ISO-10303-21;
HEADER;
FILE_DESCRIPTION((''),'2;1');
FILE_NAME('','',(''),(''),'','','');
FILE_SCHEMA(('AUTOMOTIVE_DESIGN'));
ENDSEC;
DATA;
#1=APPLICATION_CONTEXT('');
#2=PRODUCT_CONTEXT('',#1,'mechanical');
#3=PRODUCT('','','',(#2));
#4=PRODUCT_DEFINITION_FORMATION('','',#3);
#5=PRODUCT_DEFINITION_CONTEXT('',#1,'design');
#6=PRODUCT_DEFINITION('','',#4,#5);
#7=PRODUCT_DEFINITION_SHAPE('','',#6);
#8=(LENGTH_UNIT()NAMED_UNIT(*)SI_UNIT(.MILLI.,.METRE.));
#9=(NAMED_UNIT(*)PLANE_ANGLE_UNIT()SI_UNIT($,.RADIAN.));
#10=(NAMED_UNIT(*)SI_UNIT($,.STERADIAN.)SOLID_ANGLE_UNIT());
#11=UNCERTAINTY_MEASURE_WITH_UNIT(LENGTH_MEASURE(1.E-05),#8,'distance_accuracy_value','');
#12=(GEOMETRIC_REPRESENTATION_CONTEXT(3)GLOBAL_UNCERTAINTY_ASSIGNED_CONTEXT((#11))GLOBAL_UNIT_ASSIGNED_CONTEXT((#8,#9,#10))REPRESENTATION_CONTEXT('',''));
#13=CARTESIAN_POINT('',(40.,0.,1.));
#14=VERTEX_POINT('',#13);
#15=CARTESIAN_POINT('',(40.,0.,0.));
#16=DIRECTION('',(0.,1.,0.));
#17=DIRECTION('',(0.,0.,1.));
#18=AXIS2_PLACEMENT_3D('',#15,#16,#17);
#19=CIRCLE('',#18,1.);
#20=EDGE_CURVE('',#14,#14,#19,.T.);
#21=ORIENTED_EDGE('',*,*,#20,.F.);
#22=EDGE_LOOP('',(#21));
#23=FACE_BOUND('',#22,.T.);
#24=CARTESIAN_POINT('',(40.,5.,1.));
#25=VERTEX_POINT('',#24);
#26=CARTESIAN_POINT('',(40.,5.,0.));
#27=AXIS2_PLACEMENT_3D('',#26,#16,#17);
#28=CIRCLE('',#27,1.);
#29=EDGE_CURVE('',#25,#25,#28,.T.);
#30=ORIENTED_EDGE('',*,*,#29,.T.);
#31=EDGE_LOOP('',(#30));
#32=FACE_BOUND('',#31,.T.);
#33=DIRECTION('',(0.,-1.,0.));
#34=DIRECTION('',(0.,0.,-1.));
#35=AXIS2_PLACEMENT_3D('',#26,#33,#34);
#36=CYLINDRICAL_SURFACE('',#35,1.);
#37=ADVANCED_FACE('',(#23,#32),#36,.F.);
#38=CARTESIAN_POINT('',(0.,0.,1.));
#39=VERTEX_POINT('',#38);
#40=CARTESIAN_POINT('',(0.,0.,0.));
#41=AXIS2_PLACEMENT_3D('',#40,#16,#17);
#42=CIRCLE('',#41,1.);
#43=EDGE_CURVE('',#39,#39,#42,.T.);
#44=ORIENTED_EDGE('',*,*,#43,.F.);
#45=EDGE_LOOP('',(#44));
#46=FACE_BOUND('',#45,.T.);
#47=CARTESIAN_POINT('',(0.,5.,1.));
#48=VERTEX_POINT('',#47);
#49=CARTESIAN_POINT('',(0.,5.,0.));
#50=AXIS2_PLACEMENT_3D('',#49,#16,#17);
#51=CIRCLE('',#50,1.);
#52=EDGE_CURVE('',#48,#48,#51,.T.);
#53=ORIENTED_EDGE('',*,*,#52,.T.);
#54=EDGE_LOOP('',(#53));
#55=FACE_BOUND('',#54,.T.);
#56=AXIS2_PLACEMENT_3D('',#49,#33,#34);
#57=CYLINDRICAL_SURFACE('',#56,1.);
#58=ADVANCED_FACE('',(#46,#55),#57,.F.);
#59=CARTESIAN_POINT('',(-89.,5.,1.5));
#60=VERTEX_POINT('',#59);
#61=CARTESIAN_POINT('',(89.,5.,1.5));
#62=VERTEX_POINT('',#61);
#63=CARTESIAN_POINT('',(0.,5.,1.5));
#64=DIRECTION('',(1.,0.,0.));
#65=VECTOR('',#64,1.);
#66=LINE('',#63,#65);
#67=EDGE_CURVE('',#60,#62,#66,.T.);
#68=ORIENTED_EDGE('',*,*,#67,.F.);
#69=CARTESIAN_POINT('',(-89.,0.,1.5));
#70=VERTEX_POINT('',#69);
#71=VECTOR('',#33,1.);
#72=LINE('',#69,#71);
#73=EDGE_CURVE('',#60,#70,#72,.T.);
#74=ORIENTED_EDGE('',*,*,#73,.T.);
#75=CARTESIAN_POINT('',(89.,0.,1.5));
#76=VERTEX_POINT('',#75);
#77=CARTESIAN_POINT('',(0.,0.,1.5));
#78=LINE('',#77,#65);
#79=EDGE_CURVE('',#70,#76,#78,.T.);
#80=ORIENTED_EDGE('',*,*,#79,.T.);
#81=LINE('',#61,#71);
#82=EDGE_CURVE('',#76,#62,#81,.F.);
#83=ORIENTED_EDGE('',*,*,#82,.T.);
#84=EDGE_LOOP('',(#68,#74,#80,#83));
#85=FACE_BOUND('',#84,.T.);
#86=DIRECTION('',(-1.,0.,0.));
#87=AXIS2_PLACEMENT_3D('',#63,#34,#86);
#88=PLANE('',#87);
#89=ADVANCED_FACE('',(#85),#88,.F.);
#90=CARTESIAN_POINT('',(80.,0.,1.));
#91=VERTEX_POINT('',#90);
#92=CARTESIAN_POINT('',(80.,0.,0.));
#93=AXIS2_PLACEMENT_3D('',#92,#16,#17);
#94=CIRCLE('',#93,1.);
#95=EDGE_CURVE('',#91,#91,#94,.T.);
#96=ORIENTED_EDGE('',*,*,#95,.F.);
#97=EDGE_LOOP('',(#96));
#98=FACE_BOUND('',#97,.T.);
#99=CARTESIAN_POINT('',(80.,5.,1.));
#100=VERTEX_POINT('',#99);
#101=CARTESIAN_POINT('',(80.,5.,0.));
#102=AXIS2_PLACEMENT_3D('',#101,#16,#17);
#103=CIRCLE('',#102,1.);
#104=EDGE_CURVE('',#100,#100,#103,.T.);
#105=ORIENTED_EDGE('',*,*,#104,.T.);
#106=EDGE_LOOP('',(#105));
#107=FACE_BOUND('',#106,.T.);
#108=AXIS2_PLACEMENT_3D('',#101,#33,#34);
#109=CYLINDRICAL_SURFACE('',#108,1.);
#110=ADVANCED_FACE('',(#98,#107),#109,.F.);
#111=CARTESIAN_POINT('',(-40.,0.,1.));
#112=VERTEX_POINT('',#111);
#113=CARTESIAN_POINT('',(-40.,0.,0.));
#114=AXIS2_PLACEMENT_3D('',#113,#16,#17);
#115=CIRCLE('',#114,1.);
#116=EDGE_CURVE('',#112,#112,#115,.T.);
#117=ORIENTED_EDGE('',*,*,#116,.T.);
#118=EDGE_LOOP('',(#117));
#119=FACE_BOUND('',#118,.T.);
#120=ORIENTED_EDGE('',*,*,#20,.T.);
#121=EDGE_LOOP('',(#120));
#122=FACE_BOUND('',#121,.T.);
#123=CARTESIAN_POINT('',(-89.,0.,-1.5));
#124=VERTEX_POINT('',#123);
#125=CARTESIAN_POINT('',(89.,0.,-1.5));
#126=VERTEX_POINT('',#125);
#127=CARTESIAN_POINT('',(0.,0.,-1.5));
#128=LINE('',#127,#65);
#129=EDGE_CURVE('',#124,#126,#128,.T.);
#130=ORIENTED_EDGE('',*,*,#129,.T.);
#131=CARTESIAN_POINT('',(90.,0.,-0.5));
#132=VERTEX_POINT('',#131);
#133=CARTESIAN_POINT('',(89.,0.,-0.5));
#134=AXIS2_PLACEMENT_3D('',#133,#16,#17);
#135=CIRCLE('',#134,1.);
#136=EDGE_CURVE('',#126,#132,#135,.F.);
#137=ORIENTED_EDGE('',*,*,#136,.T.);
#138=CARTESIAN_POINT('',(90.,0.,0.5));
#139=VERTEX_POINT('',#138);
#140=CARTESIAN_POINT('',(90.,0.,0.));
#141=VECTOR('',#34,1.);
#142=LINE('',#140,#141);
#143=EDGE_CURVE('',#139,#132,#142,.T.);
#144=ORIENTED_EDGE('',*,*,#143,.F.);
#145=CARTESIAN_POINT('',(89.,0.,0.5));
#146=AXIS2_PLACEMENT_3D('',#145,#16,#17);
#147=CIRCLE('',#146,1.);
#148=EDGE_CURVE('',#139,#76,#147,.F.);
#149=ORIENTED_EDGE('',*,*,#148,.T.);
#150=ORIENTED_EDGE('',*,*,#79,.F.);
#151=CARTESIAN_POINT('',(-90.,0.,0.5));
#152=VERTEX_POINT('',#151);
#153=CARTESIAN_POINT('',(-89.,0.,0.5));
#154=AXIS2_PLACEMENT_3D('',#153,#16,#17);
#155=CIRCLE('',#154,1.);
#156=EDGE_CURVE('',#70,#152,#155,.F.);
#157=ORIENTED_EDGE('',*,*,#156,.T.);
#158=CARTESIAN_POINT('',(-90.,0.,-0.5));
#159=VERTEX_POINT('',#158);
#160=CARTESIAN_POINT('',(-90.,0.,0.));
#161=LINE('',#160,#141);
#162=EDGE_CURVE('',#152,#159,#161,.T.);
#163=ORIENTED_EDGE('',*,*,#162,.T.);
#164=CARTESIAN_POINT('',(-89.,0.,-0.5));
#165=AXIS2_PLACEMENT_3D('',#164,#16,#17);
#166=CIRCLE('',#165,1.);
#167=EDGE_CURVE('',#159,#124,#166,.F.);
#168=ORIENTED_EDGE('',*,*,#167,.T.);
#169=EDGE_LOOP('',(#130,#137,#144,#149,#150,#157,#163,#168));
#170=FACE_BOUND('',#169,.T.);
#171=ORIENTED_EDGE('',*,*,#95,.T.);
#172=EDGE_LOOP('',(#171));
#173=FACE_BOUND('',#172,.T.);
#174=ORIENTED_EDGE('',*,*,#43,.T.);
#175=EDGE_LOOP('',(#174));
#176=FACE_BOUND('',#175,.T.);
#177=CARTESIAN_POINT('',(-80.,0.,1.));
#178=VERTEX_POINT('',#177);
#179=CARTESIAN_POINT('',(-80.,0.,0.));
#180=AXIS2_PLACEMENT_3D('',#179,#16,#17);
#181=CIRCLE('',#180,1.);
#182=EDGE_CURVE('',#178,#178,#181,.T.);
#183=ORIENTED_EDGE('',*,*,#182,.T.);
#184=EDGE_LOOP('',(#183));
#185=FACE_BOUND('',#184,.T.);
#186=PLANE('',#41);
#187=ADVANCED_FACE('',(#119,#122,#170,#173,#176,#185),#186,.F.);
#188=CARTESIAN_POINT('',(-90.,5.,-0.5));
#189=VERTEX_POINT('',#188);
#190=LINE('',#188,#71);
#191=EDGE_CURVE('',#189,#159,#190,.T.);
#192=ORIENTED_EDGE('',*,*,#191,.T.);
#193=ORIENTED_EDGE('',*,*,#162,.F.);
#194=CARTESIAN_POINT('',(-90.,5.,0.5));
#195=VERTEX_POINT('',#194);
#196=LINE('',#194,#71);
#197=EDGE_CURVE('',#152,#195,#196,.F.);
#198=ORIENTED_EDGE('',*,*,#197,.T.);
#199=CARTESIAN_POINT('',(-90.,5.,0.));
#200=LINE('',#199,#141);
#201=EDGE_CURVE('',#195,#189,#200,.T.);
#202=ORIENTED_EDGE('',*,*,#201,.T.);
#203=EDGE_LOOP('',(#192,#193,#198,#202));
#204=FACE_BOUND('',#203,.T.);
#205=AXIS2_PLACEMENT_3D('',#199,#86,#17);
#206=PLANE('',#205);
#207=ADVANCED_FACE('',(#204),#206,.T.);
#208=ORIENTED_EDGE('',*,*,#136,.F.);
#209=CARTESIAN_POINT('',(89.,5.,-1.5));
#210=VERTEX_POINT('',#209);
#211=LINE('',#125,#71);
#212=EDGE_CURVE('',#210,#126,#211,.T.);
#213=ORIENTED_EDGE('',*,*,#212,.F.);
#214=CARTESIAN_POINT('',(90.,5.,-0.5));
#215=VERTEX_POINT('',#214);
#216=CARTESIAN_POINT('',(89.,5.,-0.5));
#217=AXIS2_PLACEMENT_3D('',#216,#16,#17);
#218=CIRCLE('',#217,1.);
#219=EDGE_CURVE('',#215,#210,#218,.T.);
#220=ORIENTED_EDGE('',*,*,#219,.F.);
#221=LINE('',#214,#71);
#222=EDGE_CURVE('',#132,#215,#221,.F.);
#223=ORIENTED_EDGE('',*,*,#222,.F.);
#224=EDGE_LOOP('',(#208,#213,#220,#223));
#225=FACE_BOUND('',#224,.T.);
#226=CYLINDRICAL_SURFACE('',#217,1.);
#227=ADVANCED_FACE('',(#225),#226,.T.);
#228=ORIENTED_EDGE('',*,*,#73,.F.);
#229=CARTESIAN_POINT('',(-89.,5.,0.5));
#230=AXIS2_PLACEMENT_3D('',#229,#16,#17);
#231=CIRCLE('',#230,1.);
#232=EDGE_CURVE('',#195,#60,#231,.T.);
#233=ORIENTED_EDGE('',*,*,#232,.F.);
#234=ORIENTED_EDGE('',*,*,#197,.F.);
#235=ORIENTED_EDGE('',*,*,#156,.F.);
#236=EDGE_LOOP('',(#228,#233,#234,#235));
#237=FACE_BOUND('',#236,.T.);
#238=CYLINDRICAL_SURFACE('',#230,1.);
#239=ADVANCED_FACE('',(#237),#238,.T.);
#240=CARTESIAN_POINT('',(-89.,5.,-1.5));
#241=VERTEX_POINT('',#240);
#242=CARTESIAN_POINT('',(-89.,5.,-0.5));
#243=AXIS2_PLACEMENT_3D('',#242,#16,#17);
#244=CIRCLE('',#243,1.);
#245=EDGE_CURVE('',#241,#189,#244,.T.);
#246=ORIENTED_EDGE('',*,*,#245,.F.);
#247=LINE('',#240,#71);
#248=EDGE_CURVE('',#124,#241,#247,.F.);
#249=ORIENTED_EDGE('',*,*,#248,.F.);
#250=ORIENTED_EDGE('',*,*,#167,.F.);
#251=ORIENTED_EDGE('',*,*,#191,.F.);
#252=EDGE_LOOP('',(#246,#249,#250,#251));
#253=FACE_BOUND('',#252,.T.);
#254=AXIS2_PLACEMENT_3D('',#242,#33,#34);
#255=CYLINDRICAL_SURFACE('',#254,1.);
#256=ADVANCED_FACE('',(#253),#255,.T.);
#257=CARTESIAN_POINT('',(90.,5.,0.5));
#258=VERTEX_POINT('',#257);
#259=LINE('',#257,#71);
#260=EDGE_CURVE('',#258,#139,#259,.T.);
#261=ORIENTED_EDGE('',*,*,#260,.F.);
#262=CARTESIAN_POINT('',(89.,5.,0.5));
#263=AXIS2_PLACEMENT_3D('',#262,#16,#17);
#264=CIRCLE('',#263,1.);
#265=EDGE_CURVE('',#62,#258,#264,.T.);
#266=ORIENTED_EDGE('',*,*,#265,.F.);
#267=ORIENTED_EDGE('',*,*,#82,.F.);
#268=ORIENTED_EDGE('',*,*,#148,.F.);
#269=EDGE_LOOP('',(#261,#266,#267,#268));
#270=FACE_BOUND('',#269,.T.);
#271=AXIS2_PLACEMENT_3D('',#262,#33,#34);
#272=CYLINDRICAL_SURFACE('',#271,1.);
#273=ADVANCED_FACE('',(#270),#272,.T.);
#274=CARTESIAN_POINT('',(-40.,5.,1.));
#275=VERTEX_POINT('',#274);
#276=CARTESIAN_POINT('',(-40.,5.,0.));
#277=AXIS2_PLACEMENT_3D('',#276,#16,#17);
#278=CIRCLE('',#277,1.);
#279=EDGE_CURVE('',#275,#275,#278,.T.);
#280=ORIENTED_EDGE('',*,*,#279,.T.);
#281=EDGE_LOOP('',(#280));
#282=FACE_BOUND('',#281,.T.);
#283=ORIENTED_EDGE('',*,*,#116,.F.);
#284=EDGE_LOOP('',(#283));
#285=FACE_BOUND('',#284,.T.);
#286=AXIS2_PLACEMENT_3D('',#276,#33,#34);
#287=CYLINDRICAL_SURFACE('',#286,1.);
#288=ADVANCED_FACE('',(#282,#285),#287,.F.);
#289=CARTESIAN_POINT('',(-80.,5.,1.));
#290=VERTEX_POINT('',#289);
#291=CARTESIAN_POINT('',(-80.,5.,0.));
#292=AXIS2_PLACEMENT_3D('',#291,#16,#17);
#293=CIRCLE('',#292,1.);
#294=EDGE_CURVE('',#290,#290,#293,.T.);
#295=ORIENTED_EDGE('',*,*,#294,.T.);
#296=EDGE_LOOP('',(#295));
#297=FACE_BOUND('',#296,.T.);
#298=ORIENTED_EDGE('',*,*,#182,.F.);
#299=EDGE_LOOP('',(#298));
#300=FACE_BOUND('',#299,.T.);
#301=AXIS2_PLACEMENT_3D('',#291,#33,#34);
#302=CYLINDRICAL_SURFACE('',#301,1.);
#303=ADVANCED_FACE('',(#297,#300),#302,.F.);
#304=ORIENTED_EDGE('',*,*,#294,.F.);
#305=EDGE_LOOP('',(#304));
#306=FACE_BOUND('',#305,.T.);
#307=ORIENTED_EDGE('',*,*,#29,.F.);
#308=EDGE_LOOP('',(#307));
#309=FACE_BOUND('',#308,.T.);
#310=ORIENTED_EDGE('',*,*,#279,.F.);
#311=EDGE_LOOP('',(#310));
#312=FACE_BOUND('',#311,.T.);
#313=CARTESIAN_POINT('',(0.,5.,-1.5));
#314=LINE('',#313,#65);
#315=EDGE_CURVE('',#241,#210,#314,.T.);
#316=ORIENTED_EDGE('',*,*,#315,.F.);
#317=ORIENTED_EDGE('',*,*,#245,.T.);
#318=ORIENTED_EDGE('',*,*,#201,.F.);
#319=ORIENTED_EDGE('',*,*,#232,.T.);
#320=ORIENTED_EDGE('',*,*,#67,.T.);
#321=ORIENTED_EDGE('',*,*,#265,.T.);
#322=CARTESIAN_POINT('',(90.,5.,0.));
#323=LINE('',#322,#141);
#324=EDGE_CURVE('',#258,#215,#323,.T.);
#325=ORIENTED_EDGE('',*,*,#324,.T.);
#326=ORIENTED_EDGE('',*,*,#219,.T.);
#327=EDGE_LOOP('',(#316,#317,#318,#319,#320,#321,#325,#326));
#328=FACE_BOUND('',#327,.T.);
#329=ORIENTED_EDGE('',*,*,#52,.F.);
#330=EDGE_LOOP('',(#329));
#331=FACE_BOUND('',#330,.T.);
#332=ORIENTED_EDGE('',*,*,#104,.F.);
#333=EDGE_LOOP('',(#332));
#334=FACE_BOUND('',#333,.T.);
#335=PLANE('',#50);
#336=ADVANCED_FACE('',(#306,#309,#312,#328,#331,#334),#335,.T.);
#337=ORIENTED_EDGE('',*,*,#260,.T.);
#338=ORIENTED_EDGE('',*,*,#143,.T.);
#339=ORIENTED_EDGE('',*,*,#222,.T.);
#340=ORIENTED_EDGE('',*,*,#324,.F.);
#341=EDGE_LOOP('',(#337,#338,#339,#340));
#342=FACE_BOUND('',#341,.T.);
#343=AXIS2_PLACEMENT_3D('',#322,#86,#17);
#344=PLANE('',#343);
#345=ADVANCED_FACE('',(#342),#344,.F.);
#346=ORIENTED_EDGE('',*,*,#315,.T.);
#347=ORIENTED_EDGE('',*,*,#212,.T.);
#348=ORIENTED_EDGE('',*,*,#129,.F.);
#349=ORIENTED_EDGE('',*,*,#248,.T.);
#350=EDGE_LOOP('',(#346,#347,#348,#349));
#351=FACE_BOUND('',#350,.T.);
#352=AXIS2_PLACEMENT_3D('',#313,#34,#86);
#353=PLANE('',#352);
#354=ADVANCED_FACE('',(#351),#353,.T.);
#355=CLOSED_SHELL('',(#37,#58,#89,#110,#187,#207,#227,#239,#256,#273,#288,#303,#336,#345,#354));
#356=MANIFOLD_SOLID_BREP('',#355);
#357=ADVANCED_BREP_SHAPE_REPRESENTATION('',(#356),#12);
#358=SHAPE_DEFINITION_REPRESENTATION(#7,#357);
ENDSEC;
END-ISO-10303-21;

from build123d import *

# Parameters (mm, degrees)
SKETCH1_W           = 180
SKETCH1_H           = 3
SKETCH1_R           = 1
BOSS_EXTRUDE1_DEPTH = 5
FILLET1_R           = 1


with BuildPart() as part:
    # Sketch1 → Boss-Extrude1 (new body)
    with BuildSketch(Plane(origin=(0, 0, 0), x_dir=(1, 0, 0), z_dir=(0, 1, 0))):
        Rectangle(SKETCH1_W, SKETCH1_H)
        Circle(SKETCH1_R, mode=Mode.SUBTRACT)
        with Locations((40, 0)):
            Circle(SKETCH1_R, mode=Mode.SUBTRACT)
        with Locations((80, 0)):
            Circle(SKETCH1_R, mode=Mode.SUBTRACT)
        with Locations((-40, 0)):
            Circle(SKETCH1_R, mode=Mode.SUBTRACT)
        with Locations((-80, 0)):
            Circle(SKETCH1_R, mode=Mode.SUBTRACT)
    extrude(amount=BOSS_EXTRUDE1_DEPTH)

    # Fillet1
    fillet1_edges = [part.edges().sort_by_distance(p)[0] for p in [
        (-90, 2.5, 1.5),
        (-90, 2.5, -1.5),
        (90, 2.5, 1.5),
        (90, 2.5, -1.5),
    ]]
    fillet(fillet1_edges, radius=FILLET1_R)


solid = part.part
